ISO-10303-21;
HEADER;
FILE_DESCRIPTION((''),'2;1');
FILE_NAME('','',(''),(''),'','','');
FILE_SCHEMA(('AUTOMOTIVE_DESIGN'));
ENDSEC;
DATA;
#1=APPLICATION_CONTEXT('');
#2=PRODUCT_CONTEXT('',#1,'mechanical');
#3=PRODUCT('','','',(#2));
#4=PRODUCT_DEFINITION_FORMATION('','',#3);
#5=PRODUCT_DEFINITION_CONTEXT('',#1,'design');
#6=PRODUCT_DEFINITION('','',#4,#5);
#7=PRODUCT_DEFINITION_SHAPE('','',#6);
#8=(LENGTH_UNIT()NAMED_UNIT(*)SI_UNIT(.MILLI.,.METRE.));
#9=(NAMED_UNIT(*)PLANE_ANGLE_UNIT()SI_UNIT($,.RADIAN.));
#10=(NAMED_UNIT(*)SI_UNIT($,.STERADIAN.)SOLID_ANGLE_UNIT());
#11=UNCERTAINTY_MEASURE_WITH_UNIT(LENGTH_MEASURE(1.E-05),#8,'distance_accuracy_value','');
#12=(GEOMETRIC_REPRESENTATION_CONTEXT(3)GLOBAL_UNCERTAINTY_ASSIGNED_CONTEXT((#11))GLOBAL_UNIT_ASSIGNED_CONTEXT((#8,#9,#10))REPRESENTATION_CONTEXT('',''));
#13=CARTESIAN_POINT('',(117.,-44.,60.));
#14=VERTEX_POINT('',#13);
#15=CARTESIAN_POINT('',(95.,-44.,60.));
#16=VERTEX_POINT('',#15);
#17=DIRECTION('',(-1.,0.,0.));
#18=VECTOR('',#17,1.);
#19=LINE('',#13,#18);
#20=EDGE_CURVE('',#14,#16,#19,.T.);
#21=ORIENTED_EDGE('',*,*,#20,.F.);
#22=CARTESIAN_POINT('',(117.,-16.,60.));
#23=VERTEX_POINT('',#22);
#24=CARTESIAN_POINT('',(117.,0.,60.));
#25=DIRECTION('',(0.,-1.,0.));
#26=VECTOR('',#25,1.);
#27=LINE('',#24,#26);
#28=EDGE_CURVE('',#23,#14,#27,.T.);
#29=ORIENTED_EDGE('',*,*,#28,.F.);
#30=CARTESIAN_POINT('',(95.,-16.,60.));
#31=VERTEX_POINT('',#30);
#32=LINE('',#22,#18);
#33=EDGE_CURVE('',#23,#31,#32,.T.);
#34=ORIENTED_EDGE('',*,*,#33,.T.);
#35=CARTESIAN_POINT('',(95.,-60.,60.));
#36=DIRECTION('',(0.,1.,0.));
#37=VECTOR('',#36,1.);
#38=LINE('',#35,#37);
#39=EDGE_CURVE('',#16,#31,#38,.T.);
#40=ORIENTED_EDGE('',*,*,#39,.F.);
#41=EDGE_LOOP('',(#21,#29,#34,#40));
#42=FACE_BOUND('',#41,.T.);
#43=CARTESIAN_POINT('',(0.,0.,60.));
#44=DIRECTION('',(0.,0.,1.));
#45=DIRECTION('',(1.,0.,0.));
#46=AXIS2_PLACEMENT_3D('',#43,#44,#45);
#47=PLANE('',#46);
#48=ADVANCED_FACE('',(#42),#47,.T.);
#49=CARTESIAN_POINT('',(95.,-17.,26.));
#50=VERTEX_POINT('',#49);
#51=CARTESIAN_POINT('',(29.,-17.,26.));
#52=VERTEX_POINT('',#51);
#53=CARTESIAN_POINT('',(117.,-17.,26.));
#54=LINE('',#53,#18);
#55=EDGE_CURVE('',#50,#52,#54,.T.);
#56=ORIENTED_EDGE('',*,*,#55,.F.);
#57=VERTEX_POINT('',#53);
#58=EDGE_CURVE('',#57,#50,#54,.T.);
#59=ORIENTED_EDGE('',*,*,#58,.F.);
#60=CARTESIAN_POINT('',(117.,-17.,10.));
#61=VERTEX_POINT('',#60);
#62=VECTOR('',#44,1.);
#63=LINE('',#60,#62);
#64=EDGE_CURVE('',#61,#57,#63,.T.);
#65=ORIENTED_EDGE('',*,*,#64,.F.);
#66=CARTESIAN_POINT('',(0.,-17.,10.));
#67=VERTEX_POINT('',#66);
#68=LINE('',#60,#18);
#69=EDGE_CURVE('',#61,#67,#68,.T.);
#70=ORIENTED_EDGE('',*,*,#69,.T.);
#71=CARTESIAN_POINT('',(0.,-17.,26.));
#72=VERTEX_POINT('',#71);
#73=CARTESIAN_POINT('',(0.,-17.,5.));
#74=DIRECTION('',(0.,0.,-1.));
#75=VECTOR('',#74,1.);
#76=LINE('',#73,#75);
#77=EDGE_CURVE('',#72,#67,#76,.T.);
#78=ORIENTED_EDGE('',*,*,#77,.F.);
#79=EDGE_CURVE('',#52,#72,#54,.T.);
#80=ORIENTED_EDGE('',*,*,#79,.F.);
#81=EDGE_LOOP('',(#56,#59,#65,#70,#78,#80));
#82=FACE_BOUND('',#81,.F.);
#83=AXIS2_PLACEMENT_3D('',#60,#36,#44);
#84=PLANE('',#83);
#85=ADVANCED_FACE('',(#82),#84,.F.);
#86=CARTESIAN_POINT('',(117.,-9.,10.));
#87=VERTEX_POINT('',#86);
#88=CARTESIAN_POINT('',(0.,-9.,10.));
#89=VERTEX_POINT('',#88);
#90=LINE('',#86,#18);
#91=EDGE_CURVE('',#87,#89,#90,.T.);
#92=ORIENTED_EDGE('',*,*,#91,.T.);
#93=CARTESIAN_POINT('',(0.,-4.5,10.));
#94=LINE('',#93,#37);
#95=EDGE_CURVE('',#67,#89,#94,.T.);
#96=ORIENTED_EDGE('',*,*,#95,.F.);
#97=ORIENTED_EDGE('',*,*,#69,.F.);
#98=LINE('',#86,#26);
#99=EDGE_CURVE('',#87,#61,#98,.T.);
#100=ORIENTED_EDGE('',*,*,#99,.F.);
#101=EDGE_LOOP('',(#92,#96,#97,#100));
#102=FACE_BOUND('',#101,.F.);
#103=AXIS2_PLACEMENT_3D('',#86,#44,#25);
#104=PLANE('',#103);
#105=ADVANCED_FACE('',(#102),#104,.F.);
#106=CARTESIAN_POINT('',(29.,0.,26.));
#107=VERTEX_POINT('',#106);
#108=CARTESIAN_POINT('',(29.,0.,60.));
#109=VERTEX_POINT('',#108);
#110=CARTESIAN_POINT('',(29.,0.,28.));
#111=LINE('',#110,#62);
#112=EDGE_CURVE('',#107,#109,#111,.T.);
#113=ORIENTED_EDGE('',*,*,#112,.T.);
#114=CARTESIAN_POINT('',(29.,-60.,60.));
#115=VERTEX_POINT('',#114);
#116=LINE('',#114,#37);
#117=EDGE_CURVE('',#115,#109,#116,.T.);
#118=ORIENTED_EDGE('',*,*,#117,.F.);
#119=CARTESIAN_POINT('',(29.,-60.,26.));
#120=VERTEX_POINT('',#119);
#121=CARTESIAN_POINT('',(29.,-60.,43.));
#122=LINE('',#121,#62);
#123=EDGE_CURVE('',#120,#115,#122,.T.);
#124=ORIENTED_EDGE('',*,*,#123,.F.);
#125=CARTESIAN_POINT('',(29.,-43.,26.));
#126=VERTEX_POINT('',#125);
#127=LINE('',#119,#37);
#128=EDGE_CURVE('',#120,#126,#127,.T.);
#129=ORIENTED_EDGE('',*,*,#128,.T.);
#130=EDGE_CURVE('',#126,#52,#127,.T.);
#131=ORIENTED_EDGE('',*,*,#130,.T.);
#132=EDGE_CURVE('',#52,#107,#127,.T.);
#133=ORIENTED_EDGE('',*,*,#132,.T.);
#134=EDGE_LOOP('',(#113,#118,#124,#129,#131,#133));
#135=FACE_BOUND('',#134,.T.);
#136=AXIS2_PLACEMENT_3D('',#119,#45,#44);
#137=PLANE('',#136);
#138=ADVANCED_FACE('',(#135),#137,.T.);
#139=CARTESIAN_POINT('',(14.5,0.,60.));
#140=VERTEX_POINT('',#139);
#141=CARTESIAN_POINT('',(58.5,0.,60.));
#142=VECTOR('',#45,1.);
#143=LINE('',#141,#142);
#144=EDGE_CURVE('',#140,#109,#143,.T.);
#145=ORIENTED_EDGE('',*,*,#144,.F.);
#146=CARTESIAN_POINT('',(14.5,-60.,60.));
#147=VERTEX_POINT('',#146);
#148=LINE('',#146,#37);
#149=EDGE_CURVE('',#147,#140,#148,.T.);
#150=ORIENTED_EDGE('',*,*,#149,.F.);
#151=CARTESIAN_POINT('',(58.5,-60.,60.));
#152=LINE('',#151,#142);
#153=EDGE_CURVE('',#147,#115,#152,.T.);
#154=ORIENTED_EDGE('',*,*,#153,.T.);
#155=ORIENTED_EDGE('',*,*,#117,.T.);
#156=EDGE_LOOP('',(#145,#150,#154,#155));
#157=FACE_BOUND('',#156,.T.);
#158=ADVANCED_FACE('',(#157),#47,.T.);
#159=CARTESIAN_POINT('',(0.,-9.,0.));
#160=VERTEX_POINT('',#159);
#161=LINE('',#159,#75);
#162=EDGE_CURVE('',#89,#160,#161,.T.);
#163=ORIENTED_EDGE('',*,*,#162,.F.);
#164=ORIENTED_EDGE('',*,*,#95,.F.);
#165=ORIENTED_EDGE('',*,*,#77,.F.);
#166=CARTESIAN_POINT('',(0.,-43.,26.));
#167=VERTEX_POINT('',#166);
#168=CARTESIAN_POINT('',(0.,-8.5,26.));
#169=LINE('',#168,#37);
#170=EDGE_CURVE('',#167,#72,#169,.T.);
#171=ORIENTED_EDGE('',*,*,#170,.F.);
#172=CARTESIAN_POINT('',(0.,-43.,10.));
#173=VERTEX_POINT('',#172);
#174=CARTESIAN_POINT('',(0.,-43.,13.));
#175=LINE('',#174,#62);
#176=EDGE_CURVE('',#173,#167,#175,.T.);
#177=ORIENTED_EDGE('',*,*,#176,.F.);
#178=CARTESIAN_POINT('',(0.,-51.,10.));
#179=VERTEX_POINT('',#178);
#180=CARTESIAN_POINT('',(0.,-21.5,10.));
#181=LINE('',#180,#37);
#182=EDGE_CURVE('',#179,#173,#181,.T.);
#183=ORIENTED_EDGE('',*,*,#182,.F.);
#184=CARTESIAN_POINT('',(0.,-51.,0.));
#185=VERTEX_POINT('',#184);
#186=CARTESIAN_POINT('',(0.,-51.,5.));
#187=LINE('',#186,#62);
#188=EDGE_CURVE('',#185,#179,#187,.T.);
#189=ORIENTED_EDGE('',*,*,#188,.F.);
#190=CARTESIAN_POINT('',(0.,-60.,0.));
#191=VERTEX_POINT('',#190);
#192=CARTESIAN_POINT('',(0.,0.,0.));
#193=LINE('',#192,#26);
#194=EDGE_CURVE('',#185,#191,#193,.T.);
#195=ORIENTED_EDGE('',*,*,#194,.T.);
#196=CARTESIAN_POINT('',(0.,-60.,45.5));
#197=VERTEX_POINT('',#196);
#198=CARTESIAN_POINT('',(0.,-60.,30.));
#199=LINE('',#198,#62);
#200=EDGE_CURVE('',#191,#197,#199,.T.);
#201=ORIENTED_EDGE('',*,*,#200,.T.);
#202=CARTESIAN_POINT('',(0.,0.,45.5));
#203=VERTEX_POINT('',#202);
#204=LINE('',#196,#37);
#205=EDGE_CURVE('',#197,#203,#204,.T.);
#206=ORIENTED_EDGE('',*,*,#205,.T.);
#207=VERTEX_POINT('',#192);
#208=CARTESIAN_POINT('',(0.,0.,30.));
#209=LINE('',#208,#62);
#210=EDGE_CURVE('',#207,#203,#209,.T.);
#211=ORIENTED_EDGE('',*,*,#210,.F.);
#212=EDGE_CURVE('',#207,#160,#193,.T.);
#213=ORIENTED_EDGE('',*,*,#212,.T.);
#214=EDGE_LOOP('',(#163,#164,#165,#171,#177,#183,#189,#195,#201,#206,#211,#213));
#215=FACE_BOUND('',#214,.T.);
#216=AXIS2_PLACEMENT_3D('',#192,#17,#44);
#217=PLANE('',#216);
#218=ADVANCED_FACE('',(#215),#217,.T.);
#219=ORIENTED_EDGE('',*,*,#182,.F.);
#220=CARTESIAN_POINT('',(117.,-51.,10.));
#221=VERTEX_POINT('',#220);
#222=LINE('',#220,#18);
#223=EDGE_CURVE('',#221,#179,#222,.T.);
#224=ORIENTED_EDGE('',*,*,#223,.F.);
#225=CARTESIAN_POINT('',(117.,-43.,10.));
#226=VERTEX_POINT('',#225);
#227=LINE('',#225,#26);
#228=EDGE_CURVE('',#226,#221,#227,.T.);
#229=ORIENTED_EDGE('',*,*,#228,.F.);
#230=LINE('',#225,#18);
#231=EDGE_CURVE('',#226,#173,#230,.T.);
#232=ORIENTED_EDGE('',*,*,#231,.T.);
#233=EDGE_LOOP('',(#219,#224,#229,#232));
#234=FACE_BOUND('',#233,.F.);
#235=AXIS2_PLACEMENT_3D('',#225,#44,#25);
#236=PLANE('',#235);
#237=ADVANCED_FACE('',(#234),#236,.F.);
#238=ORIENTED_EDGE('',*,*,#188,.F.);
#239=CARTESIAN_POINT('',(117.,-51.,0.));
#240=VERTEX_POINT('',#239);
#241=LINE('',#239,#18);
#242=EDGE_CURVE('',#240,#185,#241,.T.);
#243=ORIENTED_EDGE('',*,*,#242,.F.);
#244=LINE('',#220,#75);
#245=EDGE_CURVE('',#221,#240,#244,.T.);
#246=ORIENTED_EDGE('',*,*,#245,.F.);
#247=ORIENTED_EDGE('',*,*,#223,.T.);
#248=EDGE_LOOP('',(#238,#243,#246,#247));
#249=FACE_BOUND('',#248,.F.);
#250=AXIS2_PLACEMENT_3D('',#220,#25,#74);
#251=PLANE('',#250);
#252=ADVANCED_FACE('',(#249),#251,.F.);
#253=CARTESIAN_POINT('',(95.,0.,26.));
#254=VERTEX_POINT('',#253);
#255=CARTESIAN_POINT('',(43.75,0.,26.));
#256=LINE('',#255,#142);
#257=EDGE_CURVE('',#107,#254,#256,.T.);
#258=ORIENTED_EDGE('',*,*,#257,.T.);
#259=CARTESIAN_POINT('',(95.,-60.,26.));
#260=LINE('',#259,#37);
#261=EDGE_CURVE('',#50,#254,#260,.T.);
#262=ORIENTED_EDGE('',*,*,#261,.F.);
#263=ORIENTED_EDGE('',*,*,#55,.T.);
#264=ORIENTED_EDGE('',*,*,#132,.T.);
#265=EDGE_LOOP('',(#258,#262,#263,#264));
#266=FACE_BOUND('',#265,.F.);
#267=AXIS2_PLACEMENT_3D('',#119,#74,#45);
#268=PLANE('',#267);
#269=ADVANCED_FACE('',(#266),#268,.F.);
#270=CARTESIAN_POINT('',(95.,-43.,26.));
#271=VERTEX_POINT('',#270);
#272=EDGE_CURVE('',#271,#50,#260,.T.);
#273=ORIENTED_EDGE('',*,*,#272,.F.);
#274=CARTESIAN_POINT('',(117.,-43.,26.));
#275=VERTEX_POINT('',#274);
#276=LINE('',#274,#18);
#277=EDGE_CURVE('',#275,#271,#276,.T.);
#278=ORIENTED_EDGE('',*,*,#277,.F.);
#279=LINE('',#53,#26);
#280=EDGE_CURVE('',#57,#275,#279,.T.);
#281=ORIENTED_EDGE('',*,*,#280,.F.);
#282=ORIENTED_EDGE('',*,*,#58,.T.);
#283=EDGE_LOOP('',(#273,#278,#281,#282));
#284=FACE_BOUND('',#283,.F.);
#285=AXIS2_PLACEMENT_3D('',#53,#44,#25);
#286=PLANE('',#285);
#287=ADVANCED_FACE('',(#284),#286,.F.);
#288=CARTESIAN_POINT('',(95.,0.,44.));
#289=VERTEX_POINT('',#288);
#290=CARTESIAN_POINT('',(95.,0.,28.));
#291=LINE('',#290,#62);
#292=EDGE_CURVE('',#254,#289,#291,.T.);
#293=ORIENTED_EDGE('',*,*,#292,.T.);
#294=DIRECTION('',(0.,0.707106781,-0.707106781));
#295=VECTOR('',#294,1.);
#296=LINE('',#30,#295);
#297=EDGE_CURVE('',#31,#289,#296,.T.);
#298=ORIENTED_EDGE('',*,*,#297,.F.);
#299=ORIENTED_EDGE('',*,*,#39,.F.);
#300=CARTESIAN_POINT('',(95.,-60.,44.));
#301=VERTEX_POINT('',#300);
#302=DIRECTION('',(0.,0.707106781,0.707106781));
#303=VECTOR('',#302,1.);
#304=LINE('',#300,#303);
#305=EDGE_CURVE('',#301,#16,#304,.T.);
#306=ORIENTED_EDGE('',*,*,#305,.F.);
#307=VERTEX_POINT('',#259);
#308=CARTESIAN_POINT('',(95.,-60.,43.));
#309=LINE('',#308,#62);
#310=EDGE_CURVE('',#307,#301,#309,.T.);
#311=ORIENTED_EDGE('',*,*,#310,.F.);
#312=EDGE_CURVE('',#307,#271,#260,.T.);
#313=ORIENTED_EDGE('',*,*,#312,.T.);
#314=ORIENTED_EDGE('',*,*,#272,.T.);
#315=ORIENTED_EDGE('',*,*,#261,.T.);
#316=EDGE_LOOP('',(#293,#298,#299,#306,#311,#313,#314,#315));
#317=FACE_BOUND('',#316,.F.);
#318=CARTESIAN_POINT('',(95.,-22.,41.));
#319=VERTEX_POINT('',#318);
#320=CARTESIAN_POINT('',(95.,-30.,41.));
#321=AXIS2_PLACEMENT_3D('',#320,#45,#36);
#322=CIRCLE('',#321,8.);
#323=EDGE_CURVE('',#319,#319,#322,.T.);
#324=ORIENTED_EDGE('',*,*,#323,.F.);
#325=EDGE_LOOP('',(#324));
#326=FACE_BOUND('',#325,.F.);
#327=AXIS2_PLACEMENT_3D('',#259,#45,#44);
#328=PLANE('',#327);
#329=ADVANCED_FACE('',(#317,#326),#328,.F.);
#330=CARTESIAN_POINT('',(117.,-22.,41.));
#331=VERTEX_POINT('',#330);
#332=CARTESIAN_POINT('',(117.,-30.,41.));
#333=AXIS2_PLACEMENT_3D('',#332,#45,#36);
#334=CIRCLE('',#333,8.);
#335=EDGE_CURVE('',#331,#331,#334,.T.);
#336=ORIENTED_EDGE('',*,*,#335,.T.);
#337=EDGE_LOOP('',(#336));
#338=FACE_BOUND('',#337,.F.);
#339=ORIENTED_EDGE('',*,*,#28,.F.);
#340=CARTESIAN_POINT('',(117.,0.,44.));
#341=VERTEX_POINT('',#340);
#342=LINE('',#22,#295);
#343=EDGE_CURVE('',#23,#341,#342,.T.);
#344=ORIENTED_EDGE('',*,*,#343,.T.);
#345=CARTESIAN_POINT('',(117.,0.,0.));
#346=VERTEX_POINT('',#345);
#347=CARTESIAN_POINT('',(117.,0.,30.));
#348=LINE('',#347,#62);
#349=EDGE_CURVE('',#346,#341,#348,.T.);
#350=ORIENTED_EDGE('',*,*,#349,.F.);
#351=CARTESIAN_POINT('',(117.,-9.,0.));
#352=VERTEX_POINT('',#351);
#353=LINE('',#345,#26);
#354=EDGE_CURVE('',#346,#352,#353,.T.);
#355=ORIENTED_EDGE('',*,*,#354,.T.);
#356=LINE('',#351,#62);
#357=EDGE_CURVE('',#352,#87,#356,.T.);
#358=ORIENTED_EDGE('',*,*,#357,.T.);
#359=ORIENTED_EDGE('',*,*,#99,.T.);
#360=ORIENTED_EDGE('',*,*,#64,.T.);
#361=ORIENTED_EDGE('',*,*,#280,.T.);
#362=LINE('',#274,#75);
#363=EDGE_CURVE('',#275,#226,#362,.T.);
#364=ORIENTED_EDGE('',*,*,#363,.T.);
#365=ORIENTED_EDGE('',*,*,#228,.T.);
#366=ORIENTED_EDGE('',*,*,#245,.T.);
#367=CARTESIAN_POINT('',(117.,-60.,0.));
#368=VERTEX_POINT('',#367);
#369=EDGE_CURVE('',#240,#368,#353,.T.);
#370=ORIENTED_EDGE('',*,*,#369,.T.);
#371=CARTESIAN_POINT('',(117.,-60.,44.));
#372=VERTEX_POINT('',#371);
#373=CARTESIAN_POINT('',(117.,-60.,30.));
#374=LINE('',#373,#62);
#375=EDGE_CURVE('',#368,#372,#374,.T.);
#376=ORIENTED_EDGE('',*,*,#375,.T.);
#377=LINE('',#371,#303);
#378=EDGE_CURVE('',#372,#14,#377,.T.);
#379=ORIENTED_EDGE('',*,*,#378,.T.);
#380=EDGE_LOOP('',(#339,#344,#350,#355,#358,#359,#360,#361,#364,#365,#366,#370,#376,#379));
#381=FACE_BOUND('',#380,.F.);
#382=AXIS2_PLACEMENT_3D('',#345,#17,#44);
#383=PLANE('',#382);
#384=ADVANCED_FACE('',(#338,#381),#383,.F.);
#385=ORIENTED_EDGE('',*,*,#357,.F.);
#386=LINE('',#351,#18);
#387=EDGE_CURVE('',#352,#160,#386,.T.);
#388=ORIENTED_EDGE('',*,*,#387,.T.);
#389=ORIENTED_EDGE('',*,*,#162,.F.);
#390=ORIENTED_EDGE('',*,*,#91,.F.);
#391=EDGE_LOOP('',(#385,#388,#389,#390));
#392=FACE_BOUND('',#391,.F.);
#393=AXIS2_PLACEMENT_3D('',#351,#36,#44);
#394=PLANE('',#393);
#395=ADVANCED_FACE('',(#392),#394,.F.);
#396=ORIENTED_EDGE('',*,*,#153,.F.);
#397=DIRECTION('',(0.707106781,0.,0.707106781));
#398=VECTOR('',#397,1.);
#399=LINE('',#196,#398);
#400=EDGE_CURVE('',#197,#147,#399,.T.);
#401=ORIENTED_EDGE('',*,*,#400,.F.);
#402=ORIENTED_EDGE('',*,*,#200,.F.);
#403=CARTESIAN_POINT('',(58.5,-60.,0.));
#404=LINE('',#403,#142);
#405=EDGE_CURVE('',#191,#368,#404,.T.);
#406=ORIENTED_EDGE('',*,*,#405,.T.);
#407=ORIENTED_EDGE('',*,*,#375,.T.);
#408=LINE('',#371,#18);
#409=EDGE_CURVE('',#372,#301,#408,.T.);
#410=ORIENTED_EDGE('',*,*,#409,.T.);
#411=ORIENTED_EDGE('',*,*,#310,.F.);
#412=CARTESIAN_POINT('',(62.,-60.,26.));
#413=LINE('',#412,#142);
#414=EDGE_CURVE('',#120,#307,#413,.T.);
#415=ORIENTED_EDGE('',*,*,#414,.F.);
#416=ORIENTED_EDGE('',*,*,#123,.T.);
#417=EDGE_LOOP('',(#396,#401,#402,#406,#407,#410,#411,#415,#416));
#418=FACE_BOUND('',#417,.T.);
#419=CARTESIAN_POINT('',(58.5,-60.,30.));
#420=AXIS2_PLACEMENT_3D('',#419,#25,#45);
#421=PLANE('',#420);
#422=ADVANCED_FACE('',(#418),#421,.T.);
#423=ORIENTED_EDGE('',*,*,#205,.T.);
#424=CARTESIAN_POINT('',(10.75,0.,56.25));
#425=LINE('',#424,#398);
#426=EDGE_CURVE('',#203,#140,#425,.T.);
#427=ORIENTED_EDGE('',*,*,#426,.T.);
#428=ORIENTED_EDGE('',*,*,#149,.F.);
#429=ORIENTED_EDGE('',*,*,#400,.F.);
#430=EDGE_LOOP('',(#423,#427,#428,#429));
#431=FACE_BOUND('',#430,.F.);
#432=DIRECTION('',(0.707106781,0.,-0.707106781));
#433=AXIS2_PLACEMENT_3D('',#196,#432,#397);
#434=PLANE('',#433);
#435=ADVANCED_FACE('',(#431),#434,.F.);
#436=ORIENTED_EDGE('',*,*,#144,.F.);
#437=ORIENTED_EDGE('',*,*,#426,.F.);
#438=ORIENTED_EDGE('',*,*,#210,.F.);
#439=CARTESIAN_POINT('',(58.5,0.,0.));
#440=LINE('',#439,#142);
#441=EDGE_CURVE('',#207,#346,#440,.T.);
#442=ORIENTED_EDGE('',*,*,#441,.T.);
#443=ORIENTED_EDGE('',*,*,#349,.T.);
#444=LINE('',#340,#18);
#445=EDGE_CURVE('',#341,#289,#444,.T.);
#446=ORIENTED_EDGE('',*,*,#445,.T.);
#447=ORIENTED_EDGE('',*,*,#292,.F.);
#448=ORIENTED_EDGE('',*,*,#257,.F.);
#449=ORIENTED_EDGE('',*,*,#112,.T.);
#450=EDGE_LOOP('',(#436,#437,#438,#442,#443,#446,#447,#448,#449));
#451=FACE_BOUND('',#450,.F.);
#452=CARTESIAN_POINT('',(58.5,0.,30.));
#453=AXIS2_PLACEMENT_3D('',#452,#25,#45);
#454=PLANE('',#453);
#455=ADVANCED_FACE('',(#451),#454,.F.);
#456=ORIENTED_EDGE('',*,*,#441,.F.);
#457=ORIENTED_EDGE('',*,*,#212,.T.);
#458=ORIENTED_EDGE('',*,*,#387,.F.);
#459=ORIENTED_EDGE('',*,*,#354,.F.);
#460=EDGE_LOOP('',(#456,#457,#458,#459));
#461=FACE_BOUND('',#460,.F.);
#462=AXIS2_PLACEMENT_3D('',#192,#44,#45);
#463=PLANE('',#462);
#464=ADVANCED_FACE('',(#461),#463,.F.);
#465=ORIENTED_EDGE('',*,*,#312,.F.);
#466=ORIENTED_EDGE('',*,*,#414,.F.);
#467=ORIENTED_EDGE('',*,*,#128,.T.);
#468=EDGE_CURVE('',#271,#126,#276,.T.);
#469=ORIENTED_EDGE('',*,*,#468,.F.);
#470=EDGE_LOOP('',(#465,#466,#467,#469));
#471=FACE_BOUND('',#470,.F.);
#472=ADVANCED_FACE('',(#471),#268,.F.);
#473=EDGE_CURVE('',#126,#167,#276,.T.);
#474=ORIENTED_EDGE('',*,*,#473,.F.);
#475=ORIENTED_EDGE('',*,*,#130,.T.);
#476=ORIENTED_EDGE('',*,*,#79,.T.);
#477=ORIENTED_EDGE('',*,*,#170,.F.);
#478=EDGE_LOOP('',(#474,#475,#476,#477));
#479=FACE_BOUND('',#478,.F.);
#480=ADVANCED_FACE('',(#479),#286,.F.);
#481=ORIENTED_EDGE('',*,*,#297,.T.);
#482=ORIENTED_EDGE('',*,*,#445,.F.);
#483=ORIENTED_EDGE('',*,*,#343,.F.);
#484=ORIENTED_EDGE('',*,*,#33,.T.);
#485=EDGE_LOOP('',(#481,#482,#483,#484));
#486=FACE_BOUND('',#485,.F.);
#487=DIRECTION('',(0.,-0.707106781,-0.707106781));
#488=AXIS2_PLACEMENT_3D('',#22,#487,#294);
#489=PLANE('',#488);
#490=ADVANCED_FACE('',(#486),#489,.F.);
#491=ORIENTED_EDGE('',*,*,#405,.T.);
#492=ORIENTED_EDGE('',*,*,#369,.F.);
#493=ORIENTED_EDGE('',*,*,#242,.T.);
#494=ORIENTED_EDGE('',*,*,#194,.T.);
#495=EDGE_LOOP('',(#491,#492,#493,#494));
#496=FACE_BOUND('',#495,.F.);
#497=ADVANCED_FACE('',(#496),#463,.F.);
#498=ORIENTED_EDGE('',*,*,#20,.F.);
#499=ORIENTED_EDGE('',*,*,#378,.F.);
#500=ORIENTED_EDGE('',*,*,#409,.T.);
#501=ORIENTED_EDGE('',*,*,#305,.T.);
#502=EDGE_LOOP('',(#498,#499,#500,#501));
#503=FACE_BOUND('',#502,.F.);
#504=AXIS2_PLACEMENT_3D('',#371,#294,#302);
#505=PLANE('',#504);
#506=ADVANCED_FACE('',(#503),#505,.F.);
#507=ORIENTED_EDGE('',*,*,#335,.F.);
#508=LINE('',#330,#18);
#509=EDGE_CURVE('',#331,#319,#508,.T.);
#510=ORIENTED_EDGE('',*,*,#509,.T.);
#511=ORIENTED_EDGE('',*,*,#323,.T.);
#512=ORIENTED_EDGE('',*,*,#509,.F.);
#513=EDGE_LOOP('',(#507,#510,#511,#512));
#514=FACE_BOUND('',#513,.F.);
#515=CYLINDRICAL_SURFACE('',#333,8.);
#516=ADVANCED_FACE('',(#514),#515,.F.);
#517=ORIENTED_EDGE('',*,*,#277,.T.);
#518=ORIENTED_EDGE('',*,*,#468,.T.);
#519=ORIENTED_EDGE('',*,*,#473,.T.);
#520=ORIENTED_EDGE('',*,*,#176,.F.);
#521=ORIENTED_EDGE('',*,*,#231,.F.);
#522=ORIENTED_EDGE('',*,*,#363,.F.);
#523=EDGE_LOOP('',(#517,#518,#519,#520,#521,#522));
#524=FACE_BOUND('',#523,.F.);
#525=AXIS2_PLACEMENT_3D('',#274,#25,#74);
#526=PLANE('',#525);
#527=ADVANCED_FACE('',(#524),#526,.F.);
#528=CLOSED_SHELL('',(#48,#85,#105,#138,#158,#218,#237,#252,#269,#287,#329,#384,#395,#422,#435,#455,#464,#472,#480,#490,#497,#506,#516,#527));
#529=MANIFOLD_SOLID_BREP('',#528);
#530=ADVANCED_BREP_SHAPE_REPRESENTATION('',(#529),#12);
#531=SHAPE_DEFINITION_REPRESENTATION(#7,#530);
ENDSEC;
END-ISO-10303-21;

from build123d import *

# Parameters (mm, degrees)
F0_W      = 117
F0_H      = 60
F1_DEPTH  = 60
F2_W      = 66
F2_H      = 34
F3_DEPTH  = 60.001
F5_DEPTH  = 60.001
F7_DEPTH  = 117.001
F9_DEPTH  = 22
F10_R     = 8
F11_DEPTH = 22


with BuildPart() as f1:
    # F0 (on Front) → F1 (new body)
    with BuildSketch(Plane.XZ):
        with Locations((58.5, 30)):
            Rectangle(F0_W, F0_H)
    extrude(amount=F1_DEPTH)

    # F2 (on face) → F3 (cut, through all)
    with BuildSketch(Plane.XZ.offset(60)):
        with Locations((62, 43)):
            Rectangle(F2_W, F2_H)
    extrude(amount=-F3_DEPTH, mode=Mode.SUBTRACT)

    # F4 (on face) → F5 (cut, through all)
    with BuildSketch(Plane.XZ.offset(60)):
        Polygon((0, 45.5), (14.5, 60), (0, 60), align=None)
    extrude(amount=-F5_DEPTH, mode=Mode.SUBTRACT)

    # F6 (on face) → F7 (cut, through all)
    with BuildSketch(Plane.YZ.offset(117)):
        Polygon((-51, 10), (-51, 0), (-9, 0), (-9, 10), (-17, 10), (-17, 26), (-43, 26), (-43, 10), align=None)
    extrude(amount=-F7_DEPTH, mode=Mode.SUBTRACT)

    # F8 (on face) → F9 (cut)
    with BuildSketch(Plane.YZ.offset(117)):
        Polygon((-44, 60), (-60, 60), (-60, 44), align=None)
        Polygon((0, 60), (-16, 60), (0, 44), align=None)
    extrude(amount=-F9_DEPTH, mode=Mode.SUBTRACT)

    # F10 (on face) → F11 (cut)
    with BuildSketch(Plane.YZ.offset(117)):
        with Locations((-30, 41)):
            Circle(F10_R)
    extrude(amount=-F11_DEPTH, mode=Mode.SUBTRACT)


solid = f1.part
